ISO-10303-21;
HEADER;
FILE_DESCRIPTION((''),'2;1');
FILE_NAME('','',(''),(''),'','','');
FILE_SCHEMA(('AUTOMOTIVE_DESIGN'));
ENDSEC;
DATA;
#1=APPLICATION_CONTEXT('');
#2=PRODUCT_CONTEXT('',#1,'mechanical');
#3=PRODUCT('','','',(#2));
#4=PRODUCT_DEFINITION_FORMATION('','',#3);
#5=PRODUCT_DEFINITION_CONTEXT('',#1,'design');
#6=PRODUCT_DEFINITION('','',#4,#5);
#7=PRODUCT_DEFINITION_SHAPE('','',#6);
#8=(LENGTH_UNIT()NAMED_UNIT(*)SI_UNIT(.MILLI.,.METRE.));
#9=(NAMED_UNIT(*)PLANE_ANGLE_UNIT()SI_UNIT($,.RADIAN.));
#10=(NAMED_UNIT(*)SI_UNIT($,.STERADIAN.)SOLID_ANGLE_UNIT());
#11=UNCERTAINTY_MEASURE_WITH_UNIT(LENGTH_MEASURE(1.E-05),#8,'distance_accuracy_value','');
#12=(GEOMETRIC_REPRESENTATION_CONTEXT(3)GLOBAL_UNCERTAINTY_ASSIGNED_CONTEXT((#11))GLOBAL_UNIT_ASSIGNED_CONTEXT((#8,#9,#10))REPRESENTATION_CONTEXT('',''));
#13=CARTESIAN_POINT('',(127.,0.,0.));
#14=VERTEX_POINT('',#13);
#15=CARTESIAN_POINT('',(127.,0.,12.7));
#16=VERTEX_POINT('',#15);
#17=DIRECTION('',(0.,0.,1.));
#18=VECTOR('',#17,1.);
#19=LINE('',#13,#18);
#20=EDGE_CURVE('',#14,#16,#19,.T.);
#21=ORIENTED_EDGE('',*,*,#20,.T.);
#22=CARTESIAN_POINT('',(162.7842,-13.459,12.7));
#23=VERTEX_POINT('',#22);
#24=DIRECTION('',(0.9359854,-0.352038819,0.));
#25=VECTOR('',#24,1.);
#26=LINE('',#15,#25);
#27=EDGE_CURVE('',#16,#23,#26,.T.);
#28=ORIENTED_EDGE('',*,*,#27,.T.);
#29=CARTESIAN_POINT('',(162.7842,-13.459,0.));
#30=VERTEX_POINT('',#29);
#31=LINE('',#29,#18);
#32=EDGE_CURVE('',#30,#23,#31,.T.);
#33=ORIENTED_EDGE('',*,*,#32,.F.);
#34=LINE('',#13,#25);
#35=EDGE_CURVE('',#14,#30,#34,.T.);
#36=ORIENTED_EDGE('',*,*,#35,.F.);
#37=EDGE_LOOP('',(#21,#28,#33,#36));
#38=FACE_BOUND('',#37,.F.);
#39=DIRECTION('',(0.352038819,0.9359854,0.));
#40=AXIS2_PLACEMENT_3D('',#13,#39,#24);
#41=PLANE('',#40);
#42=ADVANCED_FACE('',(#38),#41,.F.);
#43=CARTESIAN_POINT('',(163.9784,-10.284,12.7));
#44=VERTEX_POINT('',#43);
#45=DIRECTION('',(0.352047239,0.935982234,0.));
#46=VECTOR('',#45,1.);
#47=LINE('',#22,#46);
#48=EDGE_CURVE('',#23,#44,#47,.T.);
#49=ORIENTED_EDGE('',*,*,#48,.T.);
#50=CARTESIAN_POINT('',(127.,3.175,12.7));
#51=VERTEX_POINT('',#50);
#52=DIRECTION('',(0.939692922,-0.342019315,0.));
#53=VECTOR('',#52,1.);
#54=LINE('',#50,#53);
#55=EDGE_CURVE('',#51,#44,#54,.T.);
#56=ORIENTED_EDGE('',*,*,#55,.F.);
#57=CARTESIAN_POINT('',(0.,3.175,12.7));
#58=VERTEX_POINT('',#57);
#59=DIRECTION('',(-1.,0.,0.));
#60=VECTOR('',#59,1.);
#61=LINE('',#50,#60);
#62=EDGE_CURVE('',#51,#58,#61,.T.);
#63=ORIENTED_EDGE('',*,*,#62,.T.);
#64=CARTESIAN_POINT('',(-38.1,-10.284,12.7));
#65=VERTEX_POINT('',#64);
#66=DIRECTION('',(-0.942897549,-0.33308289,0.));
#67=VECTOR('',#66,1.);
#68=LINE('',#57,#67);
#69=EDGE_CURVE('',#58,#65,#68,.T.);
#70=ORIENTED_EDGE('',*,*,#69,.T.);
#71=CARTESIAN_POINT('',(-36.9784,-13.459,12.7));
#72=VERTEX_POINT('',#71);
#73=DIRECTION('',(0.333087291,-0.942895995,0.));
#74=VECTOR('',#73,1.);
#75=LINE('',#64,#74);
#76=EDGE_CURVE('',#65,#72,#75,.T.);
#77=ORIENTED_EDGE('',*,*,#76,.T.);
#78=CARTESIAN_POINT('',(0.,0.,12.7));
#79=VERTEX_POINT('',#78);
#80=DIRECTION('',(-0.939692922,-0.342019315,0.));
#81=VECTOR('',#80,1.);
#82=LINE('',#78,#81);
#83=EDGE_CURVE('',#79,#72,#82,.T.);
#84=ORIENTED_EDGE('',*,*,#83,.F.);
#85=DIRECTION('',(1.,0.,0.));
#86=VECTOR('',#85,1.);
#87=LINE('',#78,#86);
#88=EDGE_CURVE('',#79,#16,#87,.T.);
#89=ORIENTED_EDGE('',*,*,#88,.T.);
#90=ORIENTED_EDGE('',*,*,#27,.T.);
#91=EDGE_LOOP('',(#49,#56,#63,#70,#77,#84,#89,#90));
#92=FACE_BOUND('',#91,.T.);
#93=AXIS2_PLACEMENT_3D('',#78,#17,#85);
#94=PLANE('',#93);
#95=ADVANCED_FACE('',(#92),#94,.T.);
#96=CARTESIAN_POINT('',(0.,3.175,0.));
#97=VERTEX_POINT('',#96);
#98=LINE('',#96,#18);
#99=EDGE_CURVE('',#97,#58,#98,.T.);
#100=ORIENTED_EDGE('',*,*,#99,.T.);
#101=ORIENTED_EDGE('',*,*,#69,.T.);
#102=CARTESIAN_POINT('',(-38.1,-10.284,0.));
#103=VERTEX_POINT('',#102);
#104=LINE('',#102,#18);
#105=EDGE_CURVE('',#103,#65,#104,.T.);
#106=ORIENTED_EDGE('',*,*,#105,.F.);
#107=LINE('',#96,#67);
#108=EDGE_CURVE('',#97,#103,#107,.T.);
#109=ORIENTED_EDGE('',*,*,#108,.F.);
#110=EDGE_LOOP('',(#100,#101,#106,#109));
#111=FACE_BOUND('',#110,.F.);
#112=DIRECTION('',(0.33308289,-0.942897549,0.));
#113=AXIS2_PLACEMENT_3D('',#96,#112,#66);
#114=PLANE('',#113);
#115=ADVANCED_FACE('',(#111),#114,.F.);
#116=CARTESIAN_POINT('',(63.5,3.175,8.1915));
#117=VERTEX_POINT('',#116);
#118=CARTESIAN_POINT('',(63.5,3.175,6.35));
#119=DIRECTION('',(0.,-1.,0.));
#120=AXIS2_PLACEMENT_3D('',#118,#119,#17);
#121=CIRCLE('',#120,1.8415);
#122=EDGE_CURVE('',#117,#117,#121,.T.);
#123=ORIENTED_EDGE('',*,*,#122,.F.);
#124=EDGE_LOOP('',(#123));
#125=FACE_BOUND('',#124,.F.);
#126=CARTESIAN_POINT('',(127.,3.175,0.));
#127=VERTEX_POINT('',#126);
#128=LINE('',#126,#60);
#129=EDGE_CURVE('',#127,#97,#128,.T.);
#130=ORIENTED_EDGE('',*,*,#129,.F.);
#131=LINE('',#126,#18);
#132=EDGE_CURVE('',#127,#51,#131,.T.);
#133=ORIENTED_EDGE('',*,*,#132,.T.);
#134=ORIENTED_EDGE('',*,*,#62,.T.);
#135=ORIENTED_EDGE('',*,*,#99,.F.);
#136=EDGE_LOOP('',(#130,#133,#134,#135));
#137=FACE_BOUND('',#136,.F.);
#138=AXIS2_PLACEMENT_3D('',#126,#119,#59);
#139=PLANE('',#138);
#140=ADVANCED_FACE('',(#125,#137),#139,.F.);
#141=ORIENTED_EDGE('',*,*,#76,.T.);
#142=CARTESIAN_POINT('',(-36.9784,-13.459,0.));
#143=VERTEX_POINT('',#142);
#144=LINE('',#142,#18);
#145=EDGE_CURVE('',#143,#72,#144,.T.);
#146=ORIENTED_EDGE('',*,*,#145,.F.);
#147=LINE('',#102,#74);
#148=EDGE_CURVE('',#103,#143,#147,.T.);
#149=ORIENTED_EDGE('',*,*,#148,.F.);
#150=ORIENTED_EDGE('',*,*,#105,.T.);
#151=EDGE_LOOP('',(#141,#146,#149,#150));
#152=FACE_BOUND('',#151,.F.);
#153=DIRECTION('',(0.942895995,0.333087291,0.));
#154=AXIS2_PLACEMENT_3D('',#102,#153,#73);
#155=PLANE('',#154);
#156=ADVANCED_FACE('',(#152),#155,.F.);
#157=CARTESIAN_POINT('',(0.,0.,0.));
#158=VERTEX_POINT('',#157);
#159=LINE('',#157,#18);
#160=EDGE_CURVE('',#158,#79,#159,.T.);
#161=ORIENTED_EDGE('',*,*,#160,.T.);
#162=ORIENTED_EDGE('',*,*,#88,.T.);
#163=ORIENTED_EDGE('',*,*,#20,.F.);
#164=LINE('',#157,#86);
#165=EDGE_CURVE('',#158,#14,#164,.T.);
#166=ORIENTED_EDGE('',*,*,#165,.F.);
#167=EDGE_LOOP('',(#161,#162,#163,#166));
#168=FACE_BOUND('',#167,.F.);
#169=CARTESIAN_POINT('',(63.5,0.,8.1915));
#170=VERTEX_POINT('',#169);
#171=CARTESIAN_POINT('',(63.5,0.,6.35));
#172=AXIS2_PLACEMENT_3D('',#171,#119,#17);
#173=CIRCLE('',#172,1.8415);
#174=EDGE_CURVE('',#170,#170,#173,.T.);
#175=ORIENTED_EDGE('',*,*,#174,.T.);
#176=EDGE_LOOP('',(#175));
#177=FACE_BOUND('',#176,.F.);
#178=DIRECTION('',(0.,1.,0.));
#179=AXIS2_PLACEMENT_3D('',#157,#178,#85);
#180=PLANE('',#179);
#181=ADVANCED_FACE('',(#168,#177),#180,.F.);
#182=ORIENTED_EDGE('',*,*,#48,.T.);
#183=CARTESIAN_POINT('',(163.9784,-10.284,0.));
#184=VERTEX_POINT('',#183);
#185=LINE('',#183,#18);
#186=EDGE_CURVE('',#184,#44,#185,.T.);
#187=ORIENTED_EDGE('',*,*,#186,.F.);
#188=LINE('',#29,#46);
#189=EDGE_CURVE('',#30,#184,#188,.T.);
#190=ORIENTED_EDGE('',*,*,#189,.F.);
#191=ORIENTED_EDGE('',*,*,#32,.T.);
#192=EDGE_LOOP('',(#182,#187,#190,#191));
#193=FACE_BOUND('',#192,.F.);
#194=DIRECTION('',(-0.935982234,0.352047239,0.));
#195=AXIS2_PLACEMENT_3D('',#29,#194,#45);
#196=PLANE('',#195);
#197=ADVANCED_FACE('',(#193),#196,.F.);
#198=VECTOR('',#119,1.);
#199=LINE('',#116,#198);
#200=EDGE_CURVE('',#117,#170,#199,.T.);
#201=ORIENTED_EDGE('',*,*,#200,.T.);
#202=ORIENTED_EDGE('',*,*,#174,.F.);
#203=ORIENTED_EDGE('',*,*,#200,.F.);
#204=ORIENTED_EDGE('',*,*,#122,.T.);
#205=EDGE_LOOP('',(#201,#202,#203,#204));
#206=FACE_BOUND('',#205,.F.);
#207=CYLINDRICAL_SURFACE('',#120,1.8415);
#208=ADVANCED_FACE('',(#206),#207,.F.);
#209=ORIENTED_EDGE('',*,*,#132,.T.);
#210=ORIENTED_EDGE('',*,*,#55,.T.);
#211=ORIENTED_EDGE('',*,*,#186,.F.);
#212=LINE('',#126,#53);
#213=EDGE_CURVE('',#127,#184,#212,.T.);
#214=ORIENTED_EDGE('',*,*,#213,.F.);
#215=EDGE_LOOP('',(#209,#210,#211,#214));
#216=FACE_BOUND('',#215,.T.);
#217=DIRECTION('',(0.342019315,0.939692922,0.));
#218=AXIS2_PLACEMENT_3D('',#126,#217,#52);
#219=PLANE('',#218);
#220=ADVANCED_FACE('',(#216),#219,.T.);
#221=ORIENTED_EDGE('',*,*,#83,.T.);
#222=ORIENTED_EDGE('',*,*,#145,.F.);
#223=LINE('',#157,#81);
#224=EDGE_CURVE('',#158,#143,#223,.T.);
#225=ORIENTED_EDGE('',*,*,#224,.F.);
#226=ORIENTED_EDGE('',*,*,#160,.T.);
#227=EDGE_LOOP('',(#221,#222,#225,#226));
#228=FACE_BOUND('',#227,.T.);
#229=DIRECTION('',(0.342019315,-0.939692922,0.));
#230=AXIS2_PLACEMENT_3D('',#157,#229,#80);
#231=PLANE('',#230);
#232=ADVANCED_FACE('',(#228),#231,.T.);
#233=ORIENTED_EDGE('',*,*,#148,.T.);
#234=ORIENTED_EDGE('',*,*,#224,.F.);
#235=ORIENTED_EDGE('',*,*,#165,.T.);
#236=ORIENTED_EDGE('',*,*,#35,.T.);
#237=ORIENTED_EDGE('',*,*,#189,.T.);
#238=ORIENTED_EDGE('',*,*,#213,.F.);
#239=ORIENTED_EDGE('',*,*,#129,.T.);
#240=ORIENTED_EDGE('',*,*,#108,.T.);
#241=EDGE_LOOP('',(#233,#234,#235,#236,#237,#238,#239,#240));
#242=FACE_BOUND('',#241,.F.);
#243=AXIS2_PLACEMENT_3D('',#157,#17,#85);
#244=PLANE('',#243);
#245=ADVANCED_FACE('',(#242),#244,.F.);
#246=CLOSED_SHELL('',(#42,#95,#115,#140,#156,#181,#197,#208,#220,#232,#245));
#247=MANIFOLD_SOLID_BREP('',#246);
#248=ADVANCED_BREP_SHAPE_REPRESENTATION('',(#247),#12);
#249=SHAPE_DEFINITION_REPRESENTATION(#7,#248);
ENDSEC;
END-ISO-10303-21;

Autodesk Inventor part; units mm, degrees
ref_plane "YZ Plane" through (0, 0, 0) normal (1, 0, 0) x (0, 1, 0)
ref_plane "XZ Plane" through (0, 0, 0) normal (0, 1, 0) x (-1, 0, 0)
ref_plane "XY Plane" through (0, 0, 0) normal (0, 0, 1) x (1, 0, 0)
sketch "Sketch1" plane through (0, 0, 0) normal (0, 0, 1) x (1, 0, 0)
  line L0 (0, 0) -> (127, 0)
  line L1 (127, 3.175) -> (0, 3.175)
  line L2 (0, 0) -> (-36.9784, -13.459)
  line L3 (0, 0) -> (39.3516, 0) construction
  line L4 (0, 3.175) -> (-38.1, -10.284)
  line L5 (-38.1, -10.284) -> (-36.9784, -13.459)
  line L6 (127, 3.175) -> (163.9784, -10.284)
  line L7 (127, 3.175) -> (166.3516, 3.175) construction
  line L8 (127, 0) -> (162.7842, -13.459)
  line L9 (162.7842, -13.459) -> (163.9784, -10.284)
  dimension "d0" = 127
  dimension "d1" = 3.175
  dimension "d2" = 160
  dimension "d3" = 20
  dimension "d4" = 38.1
  dimension "d5" = 127
  dimension "d6" = 3.175
  dimension "d7" = 3.175
  dimension "d8" = 0
  dimension "d9" = 0
extrude "Extrusion1" add sketch "Sketch1" along normal blind 12.7
sketch "Sketch2" plane through (0, 3.175, 0) normal (0, 1, 0) x (1, 0, 0)
  line L0 (0, 0) -> (0, -12.7) projected
  line L1 (127, -12.7) -> (0, -12.7) projected
  point P0 (63.5, -6.35)
  dimension "d12" = 63.5
  dimension "d13" = 6.35
hole "Hole1" at (63.5, 3.175, 6.35) direction (0, -1, 0) diameter 3.683 end through all thread size "10-24 UNC" class "2B" standard "ANSI Unified Screw Threads"
properties part number "Frame"
